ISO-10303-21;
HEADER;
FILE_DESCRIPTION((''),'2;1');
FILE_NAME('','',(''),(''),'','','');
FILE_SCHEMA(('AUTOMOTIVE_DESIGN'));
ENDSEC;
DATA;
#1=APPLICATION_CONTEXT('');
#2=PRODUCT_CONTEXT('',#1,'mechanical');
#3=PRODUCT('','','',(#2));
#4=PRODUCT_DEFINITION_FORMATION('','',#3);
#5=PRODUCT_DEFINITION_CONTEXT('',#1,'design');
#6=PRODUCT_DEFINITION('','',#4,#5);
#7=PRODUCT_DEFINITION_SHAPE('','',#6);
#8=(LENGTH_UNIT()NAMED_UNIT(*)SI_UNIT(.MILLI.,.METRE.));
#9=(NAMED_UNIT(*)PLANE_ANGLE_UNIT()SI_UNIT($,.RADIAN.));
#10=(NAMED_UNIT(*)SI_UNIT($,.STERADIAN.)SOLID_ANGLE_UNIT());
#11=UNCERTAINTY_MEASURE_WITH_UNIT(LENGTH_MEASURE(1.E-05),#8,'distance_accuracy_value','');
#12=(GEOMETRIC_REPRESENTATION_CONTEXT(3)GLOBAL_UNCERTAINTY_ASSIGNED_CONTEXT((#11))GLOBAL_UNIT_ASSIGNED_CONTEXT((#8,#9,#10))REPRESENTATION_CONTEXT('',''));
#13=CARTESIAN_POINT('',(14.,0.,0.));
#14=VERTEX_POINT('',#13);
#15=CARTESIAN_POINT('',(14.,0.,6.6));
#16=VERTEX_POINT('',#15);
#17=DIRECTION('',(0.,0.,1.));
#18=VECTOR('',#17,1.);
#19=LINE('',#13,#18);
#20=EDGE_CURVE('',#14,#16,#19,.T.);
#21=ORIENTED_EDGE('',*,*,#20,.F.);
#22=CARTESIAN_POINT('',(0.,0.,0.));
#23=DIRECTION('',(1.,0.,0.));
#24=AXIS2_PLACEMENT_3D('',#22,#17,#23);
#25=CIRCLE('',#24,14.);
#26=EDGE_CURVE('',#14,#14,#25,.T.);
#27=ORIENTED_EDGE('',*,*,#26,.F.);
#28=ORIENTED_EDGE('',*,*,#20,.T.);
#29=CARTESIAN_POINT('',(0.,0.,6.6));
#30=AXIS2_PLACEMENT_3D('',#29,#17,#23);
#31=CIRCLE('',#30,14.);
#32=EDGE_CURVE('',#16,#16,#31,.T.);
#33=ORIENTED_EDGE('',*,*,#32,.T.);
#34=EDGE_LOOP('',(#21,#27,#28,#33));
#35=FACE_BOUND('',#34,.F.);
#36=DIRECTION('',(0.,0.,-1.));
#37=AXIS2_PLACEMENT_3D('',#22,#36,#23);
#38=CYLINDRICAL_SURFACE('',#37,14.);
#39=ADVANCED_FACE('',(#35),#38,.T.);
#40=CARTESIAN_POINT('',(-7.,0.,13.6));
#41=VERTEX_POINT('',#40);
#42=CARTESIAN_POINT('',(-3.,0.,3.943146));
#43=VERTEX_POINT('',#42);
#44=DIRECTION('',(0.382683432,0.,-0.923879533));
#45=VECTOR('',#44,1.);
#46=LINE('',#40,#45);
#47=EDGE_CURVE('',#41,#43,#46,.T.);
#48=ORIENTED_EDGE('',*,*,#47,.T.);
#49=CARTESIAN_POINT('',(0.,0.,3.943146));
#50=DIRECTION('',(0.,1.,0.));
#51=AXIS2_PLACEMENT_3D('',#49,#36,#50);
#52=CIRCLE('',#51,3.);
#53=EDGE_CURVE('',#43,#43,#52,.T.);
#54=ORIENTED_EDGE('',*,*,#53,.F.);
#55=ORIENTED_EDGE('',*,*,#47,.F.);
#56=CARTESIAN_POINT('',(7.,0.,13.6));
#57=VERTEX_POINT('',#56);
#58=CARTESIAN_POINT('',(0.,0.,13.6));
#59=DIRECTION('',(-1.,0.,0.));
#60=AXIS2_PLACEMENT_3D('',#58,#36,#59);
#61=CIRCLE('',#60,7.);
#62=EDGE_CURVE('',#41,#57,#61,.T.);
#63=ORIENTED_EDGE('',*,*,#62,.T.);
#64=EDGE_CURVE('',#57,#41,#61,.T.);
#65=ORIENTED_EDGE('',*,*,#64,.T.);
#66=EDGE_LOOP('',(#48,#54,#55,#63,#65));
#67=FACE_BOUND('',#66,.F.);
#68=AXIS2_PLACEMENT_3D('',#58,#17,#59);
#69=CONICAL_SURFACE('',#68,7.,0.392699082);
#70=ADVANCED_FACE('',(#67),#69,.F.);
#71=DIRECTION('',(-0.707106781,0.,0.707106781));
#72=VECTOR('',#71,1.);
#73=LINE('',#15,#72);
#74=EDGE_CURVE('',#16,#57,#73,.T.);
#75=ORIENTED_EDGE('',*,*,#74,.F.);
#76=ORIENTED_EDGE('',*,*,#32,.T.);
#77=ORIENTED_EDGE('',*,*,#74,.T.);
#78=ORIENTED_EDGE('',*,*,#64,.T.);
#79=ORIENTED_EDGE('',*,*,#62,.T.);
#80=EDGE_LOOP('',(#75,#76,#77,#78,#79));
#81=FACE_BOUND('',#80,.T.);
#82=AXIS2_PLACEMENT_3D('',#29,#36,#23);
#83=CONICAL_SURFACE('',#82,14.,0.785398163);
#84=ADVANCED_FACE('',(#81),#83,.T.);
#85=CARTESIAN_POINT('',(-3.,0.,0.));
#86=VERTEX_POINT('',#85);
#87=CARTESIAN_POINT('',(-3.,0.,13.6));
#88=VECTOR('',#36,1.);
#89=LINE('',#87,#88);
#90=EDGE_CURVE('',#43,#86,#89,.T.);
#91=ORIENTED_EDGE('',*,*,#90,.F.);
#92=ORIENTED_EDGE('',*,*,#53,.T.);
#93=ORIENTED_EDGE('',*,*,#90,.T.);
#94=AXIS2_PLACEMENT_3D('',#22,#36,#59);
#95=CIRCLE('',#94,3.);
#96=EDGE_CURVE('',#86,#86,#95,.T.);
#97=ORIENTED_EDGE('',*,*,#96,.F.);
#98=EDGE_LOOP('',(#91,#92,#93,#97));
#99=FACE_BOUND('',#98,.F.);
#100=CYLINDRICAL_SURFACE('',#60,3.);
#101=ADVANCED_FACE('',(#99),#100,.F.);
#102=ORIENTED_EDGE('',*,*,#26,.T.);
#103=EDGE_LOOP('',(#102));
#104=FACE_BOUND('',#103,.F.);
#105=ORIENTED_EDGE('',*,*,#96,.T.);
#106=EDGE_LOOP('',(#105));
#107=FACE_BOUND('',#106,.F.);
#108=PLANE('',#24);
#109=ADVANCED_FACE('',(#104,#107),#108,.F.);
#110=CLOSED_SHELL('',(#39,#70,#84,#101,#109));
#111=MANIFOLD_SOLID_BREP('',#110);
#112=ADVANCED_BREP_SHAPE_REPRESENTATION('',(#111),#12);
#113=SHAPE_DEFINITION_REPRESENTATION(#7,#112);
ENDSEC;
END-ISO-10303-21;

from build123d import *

# Parameters (mm, degrees)
F0_R           = 14
F1_DEPTH       = 14.6
F3_SIZE        = 8
F4_D           = 6
F4_START       = 1
F4_CSINK_D     = 14
F4_CSINK_ANGLE = 45


with BuildPart() as f1:
    # F0 (on Top) → F1 (new body)
    with BuildSketch(Plane.XY):
        Circle(F0_R)
    extrude(amount=F1_DEPTH)

    # F3
    f3_edges = [f1.edges().sort_by_distance(p)[0] for p in [
        (-14, 0, 14.6),
    ]]
    chamfer(f3_edges, length=F3_SIZE)

    # F4 (through all)
    # its depths count from where the whole tool has entered the part; down to there all is cleared
    with Locations(Plane.XY.offset(14.6).offset(-F4_START)):
        with Locations((0, 0)):
            CounterSinkHole(F4_D / 2, F4_CSINK_D / 2, counter_sink_angle=F4_CSINK_ANGLE)


solid = f1.part
